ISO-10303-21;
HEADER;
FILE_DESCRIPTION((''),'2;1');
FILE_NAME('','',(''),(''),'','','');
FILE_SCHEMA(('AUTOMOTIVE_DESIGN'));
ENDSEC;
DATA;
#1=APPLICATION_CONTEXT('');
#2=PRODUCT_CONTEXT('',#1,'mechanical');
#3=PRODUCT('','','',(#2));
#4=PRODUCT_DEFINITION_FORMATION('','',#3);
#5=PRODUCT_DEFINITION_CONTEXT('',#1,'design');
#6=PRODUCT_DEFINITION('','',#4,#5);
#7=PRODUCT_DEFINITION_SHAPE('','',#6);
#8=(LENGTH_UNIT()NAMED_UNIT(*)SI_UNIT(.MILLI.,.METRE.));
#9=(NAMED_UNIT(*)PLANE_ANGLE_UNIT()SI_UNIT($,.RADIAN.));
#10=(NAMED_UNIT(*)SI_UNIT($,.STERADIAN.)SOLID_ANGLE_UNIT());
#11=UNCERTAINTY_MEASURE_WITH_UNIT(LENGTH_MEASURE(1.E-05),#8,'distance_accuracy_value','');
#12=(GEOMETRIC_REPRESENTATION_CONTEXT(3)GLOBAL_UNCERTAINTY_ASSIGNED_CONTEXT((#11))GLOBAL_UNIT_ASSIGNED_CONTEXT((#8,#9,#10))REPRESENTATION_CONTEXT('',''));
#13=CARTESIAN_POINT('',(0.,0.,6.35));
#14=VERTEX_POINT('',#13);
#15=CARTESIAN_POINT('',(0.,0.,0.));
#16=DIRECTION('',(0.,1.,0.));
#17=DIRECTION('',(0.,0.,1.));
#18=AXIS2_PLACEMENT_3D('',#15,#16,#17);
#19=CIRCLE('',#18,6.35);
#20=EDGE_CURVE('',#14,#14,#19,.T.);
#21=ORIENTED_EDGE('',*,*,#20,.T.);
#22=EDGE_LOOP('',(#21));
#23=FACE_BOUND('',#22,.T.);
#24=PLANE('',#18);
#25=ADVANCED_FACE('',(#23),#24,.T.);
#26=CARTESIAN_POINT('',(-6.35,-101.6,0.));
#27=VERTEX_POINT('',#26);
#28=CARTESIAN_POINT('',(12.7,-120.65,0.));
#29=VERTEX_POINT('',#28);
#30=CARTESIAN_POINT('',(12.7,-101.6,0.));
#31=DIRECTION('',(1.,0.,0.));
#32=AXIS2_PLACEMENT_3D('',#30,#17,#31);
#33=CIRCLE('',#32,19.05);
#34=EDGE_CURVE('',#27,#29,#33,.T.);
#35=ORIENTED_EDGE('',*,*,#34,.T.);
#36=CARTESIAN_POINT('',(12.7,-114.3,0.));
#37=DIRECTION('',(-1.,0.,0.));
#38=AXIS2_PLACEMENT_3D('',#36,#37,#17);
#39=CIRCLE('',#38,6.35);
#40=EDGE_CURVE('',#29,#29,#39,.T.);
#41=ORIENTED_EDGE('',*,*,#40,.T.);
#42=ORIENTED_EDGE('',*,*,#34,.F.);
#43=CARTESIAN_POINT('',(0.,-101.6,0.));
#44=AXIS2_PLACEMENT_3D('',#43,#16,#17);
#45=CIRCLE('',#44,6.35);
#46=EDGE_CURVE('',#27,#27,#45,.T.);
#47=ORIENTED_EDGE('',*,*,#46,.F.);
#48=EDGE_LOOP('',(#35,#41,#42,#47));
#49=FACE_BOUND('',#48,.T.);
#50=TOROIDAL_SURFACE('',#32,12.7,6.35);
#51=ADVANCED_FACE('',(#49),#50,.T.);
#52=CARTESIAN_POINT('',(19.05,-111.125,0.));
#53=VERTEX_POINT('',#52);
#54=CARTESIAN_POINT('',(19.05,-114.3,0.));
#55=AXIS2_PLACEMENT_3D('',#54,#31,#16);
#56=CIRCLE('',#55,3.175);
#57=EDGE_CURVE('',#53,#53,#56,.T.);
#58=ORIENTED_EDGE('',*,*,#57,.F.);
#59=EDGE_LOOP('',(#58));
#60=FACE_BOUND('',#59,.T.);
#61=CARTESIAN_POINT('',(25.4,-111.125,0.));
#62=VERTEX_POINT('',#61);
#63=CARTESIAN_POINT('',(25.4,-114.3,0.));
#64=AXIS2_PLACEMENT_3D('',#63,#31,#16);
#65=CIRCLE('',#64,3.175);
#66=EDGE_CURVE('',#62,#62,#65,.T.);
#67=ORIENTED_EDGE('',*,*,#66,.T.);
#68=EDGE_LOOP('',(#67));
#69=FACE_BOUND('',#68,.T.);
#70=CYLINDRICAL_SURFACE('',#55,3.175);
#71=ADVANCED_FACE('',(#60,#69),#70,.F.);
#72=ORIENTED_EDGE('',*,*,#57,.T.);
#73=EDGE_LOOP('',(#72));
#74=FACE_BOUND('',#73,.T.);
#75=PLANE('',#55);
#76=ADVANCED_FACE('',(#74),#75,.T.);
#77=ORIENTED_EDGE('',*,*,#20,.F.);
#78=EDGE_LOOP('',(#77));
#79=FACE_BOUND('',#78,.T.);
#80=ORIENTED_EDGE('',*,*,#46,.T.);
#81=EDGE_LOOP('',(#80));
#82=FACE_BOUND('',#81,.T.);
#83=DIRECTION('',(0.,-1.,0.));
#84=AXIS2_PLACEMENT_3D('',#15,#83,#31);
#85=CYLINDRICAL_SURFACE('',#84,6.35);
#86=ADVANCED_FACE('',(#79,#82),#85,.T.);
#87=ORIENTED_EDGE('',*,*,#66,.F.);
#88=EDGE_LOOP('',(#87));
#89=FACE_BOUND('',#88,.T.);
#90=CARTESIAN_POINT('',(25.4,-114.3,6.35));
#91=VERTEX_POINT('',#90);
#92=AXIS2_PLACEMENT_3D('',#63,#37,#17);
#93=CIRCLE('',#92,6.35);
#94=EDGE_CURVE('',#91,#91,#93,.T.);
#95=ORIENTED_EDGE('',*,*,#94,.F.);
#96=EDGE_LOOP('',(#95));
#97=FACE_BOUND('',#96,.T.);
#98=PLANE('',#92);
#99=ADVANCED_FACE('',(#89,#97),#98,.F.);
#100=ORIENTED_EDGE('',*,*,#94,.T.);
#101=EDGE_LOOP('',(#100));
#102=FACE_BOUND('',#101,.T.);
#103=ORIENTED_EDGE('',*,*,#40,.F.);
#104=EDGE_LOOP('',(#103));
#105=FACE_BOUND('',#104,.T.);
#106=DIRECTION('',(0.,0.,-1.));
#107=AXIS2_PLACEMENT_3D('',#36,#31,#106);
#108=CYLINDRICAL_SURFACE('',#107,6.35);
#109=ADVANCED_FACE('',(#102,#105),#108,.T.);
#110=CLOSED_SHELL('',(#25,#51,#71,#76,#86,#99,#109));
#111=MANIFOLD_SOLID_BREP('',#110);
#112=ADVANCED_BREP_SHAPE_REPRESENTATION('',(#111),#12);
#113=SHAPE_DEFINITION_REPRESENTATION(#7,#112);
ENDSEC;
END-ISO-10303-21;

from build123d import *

# Parameters (mm, degrees)
SKETCH1_R          = 6.35
SKETCH3_R          = 3.175
CUT_EXTRUDE1_DEPTH = 6.35


with BuildPart() as part:
    # Sweep1: sweep along a path in Sketch2
    with BuildLine(Plane.XY) as sweep1_path:
        Line((0, 0), (0, -101.6))
        ThreePointArc((0, -101.6), (3.719743879, -110.580256121), (12.7, -114.3))
        Line((12.7, -114.3), (25.4, -114.3))
    # Sketch1 → Sweep1 (sweep)
    with BuildSketch(Plane(origin=(0, 0, 0), x_dir=(1, 0, 0), z_dir=(0, 1, 0))):
        Circle(SKETCH1_R)
    sweep(path=sweep1_path.line)

    # Sketch3 → Cut-Extrude1 (cut)
    with BuildSketch(Plane(origin=(25.4, 0, 0), x_dir=(0, 0, -1), z_dir=(1, 0, 0))):
        with Locations(Location((0, -114.3, 0), (0, 0, 90))):
            Circle(SKETCH3_R)
    extrude(amount=-CUT_EXTRUDE1_DEPTH, mode=Mode.SUBTRACT)


solid = part.part
